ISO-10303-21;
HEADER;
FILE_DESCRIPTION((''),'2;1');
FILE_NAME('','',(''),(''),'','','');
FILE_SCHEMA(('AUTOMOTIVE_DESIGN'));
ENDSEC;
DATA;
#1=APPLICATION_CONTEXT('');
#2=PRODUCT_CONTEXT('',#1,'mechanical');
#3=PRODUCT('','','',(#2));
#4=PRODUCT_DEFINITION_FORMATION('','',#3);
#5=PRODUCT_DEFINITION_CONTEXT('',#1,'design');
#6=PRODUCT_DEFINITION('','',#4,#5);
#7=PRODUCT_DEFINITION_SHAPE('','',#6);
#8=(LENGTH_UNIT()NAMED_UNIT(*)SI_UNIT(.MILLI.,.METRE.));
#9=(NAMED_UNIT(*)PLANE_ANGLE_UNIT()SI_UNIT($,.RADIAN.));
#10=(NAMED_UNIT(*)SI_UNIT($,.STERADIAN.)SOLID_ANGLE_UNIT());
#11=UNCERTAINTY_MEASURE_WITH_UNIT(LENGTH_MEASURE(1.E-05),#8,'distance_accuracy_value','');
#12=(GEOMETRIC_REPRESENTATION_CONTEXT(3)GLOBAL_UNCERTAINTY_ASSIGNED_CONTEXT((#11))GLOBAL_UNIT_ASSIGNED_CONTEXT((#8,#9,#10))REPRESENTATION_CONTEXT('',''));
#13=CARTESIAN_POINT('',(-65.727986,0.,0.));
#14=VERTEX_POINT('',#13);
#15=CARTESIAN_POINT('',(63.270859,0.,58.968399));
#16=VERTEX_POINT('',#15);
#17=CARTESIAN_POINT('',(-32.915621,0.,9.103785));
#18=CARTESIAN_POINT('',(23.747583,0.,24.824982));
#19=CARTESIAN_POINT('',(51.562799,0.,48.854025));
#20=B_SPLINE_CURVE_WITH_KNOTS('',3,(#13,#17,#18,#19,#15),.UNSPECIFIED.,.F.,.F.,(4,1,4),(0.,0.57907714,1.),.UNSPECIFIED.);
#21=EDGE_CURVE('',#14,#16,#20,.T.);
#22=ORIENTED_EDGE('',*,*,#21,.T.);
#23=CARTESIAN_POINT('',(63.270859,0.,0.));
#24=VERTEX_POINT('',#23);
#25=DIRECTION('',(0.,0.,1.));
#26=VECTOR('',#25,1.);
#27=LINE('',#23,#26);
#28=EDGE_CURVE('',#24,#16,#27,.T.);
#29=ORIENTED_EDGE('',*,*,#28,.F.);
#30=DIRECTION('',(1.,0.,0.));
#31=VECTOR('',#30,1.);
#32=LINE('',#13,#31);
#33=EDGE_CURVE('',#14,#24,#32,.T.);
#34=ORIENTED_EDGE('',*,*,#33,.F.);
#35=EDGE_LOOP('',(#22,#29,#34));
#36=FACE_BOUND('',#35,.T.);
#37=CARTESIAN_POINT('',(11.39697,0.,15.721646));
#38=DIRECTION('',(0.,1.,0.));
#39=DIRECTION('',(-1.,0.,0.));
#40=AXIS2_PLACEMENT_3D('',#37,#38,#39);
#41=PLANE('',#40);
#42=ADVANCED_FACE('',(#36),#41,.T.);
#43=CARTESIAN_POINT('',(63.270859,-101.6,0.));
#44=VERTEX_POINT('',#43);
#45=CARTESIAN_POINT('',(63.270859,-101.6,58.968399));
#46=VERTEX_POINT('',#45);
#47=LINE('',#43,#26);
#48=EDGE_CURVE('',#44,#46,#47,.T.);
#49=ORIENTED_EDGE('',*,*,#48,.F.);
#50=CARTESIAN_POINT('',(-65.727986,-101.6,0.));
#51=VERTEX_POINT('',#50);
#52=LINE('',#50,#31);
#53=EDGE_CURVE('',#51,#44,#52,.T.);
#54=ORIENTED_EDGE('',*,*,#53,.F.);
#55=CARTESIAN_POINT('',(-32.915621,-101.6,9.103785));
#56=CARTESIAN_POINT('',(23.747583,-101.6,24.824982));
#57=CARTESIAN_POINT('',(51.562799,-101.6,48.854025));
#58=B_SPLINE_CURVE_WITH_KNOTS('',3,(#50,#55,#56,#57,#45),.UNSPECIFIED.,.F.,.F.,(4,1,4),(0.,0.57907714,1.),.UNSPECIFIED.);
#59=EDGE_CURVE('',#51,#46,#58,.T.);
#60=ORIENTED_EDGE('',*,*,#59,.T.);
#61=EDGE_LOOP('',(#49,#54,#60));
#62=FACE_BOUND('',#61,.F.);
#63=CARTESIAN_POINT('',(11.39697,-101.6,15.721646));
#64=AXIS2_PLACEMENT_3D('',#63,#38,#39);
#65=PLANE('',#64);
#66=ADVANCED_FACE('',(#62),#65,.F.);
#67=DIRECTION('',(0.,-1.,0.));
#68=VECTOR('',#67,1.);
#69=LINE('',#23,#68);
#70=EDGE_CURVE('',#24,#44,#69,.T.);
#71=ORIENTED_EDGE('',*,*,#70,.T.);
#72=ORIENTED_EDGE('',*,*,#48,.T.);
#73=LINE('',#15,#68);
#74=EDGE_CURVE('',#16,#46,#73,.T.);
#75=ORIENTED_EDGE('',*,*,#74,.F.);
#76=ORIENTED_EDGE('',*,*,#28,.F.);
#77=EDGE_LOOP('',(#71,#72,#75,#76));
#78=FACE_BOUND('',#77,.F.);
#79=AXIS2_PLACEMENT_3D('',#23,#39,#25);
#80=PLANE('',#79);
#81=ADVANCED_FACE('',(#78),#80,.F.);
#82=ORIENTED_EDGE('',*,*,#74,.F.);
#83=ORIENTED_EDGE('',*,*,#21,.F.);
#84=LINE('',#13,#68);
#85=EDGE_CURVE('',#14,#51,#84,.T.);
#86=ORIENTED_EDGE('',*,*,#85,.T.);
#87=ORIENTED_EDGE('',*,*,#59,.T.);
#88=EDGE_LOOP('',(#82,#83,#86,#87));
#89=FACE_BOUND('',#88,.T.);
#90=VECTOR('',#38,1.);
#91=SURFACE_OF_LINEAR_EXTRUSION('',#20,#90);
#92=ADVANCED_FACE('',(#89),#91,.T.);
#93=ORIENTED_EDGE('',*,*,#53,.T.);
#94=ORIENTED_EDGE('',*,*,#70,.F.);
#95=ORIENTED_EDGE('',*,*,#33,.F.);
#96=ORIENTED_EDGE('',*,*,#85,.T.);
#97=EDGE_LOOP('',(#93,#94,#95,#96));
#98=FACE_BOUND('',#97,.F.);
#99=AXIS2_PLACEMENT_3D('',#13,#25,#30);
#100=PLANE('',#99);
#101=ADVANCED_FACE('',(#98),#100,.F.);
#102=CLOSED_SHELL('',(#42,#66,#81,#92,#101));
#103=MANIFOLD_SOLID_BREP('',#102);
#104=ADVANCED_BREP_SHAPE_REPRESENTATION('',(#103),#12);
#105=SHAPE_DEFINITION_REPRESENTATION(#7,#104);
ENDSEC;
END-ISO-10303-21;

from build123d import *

# Parameters (mm, degrees)
F1_DEPTH = 101.6


with BuildPart() as f1:
    # F0 (on Front) → F1 (new body)
    with BuildSketch(Plane.XZ):
        with BuildLine():
            add(Edge.make_bspline(
                [(-65.7279863954, 0), (-32.915620604, 9.1037854477), (23.7475828387, 24.8249818466), (51.5627990573, 48.8540251071), (63.2708594203, 58.96839872)],
                knots=[0, 0, 0, 0, 0.57907714, 1, 1, 1, 1], degree=3))
            Line((-65.7279863954, 0), (63.2708594203, 0))
            Line((63.2708594203, 0), (63.2708594203, 58.96839872))
        make_face()
    extrude(amount=F1_DEPTH)


solid = f1.part
